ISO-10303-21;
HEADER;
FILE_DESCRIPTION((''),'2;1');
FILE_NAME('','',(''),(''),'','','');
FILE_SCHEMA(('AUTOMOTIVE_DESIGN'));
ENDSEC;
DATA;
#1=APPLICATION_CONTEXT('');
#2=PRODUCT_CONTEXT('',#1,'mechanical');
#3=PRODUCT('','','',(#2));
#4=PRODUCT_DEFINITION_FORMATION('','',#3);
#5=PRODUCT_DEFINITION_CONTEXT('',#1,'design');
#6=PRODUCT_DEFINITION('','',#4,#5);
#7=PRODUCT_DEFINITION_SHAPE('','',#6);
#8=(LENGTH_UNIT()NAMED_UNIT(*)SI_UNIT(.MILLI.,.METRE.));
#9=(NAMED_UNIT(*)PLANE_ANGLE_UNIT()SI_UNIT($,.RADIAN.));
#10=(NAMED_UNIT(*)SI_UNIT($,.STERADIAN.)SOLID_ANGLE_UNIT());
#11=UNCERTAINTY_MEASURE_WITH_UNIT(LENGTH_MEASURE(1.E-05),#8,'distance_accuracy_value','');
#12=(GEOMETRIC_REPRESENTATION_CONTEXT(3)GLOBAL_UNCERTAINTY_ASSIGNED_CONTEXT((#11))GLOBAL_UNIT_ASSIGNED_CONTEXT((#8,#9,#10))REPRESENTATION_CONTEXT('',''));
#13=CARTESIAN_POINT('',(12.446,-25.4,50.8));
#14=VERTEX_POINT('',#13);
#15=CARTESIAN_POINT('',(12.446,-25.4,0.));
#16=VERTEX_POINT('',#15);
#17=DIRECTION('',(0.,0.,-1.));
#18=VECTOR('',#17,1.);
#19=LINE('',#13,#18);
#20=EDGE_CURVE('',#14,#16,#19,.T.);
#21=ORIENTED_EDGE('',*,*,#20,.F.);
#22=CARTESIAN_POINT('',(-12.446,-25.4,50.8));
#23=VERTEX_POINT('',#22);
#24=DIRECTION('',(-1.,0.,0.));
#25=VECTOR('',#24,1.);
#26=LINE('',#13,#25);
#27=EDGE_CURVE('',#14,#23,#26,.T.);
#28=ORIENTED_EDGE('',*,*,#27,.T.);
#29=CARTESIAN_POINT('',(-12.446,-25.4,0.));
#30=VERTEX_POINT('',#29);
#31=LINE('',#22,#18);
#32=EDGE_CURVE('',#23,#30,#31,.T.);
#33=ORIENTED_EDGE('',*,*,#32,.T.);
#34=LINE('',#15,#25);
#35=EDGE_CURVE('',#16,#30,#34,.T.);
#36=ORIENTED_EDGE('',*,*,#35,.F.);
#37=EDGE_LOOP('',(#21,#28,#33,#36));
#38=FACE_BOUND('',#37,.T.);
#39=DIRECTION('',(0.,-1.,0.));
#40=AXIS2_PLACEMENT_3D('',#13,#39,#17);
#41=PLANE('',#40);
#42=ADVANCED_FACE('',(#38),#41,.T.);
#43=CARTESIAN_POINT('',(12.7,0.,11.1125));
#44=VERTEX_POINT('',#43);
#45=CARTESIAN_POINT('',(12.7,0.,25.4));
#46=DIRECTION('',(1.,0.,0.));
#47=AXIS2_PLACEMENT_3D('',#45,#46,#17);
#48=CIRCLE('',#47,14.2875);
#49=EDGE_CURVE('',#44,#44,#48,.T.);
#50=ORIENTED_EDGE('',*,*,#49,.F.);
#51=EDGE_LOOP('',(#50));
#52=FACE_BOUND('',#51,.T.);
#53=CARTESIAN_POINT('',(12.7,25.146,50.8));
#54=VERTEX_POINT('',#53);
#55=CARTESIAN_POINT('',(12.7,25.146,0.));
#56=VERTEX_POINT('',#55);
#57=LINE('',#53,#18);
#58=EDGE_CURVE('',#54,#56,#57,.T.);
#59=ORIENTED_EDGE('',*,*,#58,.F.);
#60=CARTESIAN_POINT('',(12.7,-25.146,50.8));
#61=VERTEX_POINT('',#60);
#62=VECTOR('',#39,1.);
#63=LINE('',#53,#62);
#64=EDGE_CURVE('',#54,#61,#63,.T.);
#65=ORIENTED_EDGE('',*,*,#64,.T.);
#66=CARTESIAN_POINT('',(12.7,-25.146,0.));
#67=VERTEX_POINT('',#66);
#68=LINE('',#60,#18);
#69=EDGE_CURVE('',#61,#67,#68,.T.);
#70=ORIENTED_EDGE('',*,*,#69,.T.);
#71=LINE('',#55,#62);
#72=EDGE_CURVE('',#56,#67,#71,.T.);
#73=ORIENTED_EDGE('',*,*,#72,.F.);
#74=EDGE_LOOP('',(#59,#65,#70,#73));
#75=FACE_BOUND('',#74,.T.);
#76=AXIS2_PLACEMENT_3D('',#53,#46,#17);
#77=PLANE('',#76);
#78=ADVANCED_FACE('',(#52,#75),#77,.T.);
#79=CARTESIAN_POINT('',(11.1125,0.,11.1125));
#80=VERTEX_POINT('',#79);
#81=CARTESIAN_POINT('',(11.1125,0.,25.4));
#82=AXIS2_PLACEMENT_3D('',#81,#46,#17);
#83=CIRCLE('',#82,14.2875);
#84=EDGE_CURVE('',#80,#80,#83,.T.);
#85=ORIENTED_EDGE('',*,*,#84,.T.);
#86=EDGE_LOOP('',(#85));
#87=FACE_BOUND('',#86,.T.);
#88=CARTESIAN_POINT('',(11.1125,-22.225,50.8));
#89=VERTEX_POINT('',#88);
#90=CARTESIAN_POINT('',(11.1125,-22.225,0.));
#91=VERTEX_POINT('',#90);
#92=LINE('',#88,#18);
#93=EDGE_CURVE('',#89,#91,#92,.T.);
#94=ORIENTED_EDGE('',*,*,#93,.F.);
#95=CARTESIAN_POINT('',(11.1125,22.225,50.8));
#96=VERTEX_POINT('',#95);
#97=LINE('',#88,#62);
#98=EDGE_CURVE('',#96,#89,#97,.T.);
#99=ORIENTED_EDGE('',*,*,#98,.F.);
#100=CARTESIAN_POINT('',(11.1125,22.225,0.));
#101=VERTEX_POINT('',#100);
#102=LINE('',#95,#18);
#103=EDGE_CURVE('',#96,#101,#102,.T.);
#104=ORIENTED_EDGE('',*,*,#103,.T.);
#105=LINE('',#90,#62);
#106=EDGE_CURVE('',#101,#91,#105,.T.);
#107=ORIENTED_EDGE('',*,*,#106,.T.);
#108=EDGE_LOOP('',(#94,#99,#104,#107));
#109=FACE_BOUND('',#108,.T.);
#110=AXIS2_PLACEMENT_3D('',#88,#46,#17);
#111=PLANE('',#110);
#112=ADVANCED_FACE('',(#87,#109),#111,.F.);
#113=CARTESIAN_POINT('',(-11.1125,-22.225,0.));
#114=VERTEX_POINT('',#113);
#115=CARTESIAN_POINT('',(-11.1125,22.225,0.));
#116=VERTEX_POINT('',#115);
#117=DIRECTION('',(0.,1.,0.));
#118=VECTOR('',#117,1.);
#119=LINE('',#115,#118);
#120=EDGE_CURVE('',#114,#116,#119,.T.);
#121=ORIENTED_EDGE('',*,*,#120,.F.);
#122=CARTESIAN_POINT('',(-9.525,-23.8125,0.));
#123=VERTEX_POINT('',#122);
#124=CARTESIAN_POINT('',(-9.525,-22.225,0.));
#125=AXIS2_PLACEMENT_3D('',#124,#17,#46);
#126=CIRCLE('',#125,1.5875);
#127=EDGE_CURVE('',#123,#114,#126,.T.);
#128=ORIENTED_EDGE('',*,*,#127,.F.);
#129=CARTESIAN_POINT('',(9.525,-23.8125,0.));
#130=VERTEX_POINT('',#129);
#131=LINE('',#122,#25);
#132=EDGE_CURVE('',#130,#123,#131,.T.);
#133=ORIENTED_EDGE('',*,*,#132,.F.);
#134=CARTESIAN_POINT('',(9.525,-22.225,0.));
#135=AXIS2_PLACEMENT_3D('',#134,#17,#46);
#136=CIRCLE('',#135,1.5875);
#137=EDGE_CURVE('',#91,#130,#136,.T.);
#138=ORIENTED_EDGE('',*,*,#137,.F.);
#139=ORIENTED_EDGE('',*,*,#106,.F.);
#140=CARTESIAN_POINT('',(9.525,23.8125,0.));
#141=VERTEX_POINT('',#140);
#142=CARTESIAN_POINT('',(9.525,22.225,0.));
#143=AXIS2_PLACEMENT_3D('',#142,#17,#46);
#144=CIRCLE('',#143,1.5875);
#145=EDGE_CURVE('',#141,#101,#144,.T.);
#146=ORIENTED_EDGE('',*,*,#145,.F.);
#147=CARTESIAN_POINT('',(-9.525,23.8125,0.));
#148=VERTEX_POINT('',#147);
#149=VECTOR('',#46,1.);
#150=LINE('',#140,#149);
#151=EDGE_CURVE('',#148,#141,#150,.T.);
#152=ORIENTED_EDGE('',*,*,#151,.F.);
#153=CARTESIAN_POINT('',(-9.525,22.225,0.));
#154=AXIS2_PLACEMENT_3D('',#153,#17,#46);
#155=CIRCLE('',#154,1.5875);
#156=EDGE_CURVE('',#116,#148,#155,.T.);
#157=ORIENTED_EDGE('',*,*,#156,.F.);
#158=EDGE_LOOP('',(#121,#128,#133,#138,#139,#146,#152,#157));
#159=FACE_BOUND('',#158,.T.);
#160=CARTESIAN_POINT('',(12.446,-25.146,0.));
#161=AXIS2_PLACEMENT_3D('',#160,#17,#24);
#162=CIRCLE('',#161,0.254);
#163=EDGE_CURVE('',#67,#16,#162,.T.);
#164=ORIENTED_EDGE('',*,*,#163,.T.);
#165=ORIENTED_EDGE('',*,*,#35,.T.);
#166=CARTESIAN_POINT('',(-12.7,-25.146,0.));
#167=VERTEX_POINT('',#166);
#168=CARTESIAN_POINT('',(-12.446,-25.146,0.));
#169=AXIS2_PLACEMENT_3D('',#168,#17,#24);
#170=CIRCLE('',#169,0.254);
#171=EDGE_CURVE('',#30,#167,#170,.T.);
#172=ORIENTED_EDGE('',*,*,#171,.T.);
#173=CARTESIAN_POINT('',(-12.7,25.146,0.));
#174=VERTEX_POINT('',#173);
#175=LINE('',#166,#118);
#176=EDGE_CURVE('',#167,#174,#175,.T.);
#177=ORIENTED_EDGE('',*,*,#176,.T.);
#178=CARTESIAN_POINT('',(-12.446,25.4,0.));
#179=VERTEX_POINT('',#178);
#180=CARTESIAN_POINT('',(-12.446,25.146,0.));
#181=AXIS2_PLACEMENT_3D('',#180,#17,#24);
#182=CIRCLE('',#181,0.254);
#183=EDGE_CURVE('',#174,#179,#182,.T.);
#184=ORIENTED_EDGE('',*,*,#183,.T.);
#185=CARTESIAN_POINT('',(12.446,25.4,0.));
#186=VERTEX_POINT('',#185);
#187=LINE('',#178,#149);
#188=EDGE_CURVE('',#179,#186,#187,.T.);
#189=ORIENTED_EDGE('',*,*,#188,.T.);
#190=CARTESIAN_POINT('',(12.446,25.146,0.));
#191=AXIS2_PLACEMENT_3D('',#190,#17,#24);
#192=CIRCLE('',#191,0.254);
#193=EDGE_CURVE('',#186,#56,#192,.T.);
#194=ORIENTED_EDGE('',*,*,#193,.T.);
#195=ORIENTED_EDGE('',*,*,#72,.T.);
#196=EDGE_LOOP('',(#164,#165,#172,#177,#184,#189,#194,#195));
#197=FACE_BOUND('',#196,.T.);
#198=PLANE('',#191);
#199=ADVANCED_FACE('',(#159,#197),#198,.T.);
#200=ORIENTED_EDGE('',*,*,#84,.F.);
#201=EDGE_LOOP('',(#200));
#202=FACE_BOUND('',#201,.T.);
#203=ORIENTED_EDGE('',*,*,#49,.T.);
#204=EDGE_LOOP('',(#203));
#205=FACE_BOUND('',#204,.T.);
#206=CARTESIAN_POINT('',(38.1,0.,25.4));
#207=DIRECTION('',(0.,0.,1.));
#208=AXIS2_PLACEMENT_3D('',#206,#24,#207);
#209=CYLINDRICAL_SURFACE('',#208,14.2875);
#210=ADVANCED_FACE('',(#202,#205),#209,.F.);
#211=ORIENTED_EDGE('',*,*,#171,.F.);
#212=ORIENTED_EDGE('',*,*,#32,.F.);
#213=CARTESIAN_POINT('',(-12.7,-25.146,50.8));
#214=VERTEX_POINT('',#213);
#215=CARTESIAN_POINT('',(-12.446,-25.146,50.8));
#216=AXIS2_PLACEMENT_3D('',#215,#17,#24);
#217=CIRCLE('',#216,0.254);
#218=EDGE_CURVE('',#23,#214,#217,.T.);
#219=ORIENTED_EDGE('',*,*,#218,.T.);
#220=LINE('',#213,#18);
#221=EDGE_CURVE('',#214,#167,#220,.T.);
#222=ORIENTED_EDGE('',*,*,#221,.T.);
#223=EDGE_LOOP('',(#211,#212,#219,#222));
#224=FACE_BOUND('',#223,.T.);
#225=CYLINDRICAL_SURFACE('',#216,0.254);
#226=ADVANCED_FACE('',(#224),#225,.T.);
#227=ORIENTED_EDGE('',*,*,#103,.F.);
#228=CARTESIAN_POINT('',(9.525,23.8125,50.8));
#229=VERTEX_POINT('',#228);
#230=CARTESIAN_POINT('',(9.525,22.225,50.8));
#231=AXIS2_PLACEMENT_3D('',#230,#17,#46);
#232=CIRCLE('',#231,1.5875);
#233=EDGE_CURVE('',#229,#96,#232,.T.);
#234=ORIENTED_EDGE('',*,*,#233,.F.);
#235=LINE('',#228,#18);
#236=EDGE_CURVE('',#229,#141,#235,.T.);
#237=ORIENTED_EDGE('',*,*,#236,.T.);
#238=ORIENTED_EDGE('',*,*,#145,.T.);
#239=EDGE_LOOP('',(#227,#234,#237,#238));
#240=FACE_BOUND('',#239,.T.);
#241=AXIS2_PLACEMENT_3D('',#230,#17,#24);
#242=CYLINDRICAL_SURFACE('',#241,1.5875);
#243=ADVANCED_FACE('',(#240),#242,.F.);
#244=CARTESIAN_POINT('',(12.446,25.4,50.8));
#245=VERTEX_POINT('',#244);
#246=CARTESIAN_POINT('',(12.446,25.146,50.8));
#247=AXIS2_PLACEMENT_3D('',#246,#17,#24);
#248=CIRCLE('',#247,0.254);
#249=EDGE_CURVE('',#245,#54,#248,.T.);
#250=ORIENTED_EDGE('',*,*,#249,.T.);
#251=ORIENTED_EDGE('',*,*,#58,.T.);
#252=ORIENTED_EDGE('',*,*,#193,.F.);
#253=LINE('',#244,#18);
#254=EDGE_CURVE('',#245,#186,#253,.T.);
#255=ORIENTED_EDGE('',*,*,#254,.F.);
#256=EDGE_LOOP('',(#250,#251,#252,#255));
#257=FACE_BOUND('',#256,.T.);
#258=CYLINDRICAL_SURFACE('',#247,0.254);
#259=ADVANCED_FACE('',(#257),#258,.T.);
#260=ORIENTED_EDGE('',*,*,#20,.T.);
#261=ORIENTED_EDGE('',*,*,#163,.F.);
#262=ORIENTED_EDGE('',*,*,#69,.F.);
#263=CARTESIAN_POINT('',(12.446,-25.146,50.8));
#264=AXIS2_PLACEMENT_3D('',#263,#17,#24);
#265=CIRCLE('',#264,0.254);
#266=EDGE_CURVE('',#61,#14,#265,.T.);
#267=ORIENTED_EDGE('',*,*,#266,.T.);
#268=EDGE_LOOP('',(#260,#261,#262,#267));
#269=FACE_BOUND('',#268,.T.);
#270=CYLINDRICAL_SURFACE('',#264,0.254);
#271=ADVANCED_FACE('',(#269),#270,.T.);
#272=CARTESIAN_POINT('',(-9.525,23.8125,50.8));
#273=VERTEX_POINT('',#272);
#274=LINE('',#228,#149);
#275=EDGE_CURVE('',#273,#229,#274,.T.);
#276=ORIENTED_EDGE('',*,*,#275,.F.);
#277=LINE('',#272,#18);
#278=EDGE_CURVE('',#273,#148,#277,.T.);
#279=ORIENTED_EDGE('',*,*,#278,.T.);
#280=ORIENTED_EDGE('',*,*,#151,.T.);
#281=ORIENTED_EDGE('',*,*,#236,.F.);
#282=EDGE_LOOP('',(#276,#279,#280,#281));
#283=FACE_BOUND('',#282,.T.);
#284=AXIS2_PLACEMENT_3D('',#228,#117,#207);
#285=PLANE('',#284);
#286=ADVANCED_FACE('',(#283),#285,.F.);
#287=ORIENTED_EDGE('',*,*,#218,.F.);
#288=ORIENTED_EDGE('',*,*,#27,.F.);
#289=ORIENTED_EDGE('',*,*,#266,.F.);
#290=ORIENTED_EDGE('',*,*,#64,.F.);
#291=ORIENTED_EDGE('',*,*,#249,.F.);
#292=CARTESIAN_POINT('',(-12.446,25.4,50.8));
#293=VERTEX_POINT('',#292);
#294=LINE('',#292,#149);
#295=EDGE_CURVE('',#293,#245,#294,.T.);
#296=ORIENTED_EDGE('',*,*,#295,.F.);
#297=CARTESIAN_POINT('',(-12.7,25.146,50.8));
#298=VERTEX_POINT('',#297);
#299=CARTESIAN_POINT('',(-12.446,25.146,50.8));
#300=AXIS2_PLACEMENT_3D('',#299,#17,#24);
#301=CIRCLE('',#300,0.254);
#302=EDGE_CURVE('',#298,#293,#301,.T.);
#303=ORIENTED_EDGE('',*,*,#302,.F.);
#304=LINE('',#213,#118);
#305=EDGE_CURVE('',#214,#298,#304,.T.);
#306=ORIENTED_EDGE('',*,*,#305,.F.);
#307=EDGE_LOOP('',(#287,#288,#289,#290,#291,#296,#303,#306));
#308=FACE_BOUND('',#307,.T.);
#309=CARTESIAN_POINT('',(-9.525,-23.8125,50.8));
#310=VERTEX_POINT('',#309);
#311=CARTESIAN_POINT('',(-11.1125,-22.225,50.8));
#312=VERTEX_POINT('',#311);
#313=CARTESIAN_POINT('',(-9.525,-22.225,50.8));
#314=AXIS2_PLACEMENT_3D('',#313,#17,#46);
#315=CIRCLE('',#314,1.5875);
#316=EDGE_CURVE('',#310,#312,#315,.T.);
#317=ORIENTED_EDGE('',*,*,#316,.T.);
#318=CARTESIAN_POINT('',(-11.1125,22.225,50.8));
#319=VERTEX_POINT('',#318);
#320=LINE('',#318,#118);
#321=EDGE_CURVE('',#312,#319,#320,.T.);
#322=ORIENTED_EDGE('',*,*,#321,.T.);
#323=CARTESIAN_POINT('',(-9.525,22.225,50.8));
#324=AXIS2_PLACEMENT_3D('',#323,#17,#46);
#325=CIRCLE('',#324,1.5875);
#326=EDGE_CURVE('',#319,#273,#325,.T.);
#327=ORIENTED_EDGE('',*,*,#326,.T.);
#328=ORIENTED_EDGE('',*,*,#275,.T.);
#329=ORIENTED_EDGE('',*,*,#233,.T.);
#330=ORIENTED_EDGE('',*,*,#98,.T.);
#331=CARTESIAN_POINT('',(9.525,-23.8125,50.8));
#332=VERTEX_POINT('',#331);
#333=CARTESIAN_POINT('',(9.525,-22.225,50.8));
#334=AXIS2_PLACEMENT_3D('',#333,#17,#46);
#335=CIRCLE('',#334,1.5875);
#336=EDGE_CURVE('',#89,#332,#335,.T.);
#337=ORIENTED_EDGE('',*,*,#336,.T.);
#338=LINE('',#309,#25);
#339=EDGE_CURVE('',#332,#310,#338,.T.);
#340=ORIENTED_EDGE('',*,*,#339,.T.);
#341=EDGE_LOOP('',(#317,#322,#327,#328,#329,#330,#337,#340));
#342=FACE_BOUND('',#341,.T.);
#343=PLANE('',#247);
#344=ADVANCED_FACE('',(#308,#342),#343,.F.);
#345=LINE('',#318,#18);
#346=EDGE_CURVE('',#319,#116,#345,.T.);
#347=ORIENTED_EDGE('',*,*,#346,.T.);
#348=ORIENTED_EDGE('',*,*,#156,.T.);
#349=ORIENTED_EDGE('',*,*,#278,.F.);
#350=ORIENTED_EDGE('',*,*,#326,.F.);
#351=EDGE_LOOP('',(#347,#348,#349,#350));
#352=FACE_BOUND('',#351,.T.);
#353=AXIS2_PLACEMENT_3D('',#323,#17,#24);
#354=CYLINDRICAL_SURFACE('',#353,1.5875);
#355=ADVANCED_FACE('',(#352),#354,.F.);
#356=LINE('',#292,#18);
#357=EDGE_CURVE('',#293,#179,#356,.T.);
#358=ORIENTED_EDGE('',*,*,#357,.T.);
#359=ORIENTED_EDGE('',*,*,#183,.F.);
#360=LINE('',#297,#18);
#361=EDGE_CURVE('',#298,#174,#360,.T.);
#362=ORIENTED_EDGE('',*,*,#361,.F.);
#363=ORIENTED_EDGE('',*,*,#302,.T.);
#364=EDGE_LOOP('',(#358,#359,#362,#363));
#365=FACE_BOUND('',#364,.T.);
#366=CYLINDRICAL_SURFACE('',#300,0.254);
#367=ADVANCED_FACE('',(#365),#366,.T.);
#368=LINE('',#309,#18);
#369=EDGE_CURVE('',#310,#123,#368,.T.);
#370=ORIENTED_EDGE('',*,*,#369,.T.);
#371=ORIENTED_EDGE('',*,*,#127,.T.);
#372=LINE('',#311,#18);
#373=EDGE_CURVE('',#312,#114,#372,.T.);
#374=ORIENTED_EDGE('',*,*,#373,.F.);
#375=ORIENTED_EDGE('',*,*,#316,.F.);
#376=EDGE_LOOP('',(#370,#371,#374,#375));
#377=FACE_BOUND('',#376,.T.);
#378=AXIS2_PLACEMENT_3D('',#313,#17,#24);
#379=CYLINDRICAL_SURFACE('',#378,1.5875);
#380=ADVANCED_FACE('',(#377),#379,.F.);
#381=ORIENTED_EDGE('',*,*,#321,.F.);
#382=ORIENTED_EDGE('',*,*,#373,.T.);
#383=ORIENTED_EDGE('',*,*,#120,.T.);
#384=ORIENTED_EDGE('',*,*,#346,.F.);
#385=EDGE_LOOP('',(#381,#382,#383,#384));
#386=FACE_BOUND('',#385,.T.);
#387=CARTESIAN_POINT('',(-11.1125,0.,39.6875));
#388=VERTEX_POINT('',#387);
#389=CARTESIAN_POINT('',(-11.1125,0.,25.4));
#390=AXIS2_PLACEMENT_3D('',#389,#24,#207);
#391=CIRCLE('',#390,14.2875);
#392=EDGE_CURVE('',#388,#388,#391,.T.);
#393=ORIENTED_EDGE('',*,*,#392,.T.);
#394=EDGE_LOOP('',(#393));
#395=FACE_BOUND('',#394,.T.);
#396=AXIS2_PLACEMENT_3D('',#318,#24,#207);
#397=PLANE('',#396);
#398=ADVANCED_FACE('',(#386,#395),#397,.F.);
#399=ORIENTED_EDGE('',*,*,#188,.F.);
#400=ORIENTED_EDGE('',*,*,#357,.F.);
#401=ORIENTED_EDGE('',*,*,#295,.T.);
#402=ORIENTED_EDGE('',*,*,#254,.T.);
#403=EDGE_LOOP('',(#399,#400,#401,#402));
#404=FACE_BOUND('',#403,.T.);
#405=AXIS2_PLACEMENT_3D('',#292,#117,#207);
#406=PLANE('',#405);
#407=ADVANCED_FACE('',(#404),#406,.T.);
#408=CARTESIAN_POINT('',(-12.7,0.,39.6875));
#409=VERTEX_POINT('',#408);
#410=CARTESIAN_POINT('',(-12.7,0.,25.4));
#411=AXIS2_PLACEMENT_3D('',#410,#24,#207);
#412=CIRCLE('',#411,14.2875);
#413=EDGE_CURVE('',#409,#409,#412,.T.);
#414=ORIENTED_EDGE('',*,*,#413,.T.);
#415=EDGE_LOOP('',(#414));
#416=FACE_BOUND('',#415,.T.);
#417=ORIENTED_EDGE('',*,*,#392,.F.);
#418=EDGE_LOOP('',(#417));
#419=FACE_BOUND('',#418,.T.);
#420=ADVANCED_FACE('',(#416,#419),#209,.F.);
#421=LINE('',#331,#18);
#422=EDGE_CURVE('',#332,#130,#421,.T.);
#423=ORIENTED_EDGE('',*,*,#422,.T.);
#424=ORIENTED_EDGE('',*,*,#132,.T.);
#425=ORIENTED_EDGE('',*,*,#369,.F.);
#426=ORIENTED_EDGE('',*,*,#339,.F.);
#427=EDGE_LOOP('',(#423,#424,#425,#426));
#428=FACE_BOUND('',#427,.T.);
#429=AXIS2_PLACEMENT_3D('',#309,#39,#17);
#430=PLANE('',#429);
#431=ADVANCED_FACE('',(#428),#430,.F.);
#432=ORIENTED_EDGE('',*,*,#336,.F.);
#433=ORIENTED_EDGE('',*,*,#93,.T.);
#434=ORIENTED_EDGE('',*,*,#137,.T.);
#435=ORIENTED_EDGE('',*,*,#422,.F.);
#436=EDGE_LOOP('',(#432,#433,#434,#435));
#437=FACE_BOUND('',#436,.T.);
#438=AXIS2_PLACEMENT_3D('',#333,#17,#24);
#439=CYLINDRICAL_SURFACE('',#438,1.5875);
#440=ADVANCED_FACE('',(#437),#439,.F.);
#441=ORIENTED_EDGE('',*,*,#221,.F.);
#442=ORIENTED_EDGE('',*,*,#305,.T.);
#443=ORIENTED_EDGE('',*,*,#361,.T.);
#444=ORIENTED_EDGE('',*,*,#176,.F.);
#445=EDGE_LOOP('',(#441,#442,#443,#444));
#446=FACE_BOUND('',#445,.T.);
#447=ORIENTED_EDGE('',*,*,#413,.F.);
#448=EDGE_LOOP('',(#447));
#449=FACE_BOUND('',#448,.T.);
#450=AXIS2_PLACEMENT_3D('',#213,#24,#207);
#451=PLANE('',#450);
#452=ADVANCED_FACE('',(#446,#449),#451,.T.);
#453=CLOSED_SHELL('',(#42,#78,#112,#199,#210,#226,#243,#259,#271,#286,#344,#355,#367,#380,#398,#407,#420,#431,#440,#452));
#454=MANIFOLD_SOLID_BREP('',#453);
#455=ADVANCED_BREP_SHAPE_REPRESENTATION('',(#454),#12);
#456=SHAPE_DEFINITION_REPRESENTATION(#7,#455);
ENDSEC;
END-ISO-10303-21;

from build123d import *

# Parameters (mm, degrees)
BOSS_EXTRUDE1_DEPTH = 50.8
SKETCH2_R           = 14.2875
CUT_EXTRUDE1_DEPTH  = 50.8


with BuildPart() as part:
    # Sketch1 → Boss-Extrude1 (new body)
    with BuildSketch(Plane(origin=(0, 0, 0), x_dir=(-1, 0, 0), z_dir=(0, 0, -1))):
        with BuildLine():
            Line((-12.7, 25.146), (-12.7, -25.146))
            ThreePointArc((-12.7, -25.146), (-12.625605122, -25.325605122), (-12.446, -25.4))
            Line((-12.446, -25.4), (12.446, -25.4))
            ThreePointArc((12.446, -25.4), (12.625605122, -25.325605122), (12.7, -25.146))
            Line((12.7, -25.146), (12.7, 25.146))
            ThreePointArc((12.7, 25.146), (12.625605122, 25.325605122), (12.446, 25.4))
            Line((12.446, 25.4), (-12.446, 25.4))
            ThreePointArc((-12.446, 25.4), (-12.625605122, 25.325605122), (-12.7, 25.146))
        make_face()
        with BuildLine():
            Line((-11.1125, -22.225), (-11.1125, 22.225))
            ThreePointArc((-11.1125, 22.225), (-10.647532015, 23.347532015), (-9.525, 23.8125))
            Line((-9.525, 23.8125), (9.525, 23.8125))
            ThreePointArc((9.525, 23.8125), (10.647532015, 23.347532015), (11.1125, 22.225))
            Line((11.1125, 22.225), (11.1125, -22.225))
            ThreePointArc((11.1125, -22.225), (10.647532015, -23.347532015), (9.525, -23.8125))
            Line((9.525, -23.8125), (-9.525, -23.8125))
            ThreePointArc((-9.525, -23.8125), (-10.647532015, -23.347532015), (-11.1125, -22.225))
        make_face(mode=Mode.SUBTRACT)
    extrude(amount=-BOSS_EXTRUDE1_DEPTH)

    # Sketch2 → Cut-Extrude1 (cut)
    with BuildSketch(Plane.ZY.offset(12.7)):
        with Locations((25.4, 0)):
            Circle(SKETCH2_R)
    extrude(amount=-CUT_EXTRUDE1_DEPTH, mode=Mode.SUBTRACT)


solid = part.part
